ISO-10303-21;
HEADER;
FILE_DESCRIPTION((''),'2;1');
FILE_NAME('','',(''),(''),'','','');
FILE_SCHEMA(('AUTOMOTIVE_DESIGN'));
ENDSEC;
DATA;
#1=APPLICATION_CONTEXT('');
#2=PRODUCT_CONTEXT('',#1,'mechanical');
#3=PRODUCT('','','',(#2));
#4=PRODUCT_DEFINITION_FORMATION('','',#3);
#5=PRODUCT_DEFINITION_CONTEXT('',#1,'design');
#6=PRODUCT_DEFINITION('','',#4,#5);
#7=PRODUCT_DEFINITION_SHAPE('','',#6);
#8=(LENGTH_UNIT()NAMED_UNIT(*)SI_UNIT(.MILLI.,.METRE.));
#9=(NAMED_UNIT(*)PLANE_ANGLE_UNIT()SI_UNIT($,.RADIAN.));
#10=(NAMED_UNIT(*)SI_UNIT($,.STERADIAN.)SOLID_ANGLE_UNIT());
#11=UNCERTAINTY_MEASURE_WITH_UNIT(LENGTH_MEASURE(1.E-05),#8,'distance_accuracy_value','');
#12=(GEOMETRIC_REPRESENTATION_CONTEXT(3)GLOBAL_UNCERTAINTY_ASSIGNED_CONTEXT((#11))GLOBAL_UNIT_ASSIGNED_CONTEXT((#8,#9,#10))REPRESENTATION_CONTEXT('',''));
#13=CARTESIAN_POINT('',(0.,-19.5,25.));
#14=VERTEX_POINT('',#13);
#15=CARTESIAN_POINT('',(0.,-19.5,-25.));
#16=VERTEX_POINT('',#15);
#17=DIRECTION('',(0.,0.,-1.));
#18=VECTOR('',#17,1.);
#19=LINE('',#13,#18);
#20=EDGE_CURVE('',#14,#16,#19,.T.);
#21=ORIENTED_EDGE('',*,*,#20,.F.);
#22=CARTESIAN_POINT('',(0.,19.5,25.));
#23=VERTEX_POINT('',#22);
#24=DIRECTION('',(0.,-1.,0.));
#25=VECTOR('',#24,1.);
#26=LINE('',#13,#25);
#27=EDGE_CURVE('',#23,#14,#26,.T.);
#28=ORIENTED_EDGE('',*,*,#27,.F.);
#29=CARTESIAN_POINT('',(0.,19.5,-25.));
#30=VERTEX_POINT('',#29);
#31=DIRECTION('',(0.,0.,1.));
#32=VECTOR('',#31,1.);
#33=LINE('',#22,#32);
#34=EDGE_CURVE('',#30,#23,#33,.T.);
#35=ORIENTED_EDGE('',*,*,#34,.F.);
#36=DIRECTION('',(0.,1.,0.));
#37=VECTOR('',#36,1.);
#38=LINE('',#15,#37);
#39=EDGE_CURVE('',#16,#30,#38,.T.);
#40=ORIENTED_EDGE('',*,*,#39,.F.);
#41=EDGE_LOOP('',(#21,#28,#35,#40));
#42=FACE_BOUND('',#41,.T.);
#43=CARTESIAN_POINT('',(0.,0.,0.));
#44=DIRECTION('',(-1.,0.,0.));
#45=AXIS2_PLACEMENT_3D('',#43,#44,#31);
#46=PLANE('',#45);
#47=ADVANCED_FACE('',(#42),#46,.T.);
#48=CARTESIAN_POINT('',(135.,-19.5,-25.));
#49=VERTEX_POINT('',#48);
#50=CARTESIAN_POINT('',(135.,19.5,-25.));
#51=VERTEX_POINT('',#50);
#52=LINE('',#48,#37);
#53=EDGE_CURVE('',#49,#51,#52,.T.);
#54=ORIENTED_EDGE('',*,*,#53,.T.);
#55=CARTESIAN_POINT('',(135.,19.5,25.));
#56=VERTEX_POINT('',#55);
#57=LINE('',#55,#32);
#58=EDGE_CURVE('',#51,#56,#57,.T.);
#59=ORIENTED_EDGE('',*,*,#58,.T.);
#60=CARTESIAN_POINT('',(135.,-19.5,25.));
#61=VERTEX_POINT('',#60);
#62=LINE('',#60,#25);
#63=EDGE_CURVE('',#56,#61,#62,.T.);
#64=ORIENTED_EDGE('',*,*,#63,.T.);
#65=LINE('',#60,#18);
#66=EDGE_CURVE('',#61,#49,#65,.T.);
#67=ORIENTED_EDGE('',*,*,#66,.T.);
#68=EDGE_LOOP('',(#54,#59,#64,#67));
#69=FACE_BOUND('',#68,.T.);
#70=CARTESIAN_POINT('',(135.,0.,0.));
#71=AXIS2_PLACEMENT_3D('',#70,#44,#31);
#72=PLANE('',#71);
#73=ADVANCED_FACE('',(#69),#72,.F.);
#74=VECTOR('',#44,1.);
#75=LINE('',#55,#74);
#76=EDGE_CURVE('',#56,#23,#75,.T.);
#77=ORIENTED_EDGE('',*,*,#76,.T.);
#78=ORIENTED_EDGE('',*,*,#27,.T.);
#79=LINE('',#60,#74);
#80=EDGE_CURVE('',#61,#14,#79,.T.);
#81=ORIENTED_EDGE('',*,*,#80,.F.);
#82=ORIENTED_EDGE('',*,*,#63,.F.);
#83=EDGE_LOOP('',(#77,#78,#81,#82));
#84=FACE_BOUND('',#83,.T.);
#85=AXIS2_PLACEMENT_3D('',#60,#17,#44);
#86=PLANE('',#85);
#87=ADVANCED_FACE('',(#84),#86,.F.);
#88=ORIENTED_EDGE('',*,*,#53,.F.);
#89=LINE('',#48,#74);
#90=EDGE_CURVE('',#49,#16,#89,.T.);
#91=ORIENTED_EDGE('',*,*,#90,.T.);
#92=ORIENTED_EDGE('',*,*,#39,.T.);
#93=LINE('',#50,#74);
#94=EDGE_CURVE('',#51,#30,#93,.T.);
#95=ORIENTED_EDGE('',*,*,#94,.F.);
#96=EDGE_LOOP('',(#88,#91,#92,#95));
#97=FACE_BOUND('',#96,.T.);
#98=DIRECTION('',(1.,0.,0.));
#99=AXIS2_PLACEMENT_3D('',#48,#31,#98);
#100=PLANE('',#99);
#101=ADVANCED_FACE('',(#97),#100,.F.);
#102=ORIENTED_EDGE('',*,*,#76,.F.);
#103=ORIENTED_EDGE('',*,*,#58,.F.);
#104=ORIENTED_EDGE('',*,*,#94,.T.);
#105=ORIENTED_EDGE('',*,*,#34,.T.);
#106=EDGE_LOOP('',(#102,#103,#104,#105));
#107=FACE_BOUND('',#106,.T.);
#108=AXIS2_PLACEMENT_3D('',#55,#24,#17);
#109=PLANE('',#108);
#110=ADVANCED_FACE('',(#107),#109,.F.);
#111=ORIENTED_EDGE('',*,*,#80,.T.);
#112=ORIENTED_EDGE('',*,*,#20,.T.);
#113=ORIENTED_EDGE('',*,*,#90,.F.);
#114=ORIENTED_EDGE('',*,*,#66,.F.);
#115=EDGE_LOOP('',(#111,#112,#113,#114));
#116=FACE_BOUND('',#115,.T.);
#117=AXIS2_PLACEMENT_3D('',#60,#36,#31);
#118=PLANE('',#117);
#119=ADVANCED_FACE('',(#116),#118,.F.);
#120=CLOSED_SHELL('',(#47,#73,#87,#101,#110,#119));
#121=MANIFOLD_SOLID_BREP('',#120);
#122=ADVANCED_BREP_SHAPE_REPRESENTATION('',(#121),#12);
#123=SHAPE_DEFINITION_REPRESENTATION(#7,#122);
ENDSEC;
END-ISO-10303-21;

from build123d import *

# Parameters (mm, degrees)
SKETCH_1_W      = 50
SKETCH_1_H      = 39
EXTRUDE_1_DEPTH = 135


with BuildPart() as part:
    # 草图1 → 凸台-拉伸1 (new body)
    with BuildSketch(Plane(origin=(0, 0, 0), x_dir=(0, 0, -1), z_dir=(1, 0, 0))):
        Rectangle(SKETCH_1_W, SKETCH_1_H)
    extrude(amount=EXTRUDE_1_DEPTH)


solid = part.part
